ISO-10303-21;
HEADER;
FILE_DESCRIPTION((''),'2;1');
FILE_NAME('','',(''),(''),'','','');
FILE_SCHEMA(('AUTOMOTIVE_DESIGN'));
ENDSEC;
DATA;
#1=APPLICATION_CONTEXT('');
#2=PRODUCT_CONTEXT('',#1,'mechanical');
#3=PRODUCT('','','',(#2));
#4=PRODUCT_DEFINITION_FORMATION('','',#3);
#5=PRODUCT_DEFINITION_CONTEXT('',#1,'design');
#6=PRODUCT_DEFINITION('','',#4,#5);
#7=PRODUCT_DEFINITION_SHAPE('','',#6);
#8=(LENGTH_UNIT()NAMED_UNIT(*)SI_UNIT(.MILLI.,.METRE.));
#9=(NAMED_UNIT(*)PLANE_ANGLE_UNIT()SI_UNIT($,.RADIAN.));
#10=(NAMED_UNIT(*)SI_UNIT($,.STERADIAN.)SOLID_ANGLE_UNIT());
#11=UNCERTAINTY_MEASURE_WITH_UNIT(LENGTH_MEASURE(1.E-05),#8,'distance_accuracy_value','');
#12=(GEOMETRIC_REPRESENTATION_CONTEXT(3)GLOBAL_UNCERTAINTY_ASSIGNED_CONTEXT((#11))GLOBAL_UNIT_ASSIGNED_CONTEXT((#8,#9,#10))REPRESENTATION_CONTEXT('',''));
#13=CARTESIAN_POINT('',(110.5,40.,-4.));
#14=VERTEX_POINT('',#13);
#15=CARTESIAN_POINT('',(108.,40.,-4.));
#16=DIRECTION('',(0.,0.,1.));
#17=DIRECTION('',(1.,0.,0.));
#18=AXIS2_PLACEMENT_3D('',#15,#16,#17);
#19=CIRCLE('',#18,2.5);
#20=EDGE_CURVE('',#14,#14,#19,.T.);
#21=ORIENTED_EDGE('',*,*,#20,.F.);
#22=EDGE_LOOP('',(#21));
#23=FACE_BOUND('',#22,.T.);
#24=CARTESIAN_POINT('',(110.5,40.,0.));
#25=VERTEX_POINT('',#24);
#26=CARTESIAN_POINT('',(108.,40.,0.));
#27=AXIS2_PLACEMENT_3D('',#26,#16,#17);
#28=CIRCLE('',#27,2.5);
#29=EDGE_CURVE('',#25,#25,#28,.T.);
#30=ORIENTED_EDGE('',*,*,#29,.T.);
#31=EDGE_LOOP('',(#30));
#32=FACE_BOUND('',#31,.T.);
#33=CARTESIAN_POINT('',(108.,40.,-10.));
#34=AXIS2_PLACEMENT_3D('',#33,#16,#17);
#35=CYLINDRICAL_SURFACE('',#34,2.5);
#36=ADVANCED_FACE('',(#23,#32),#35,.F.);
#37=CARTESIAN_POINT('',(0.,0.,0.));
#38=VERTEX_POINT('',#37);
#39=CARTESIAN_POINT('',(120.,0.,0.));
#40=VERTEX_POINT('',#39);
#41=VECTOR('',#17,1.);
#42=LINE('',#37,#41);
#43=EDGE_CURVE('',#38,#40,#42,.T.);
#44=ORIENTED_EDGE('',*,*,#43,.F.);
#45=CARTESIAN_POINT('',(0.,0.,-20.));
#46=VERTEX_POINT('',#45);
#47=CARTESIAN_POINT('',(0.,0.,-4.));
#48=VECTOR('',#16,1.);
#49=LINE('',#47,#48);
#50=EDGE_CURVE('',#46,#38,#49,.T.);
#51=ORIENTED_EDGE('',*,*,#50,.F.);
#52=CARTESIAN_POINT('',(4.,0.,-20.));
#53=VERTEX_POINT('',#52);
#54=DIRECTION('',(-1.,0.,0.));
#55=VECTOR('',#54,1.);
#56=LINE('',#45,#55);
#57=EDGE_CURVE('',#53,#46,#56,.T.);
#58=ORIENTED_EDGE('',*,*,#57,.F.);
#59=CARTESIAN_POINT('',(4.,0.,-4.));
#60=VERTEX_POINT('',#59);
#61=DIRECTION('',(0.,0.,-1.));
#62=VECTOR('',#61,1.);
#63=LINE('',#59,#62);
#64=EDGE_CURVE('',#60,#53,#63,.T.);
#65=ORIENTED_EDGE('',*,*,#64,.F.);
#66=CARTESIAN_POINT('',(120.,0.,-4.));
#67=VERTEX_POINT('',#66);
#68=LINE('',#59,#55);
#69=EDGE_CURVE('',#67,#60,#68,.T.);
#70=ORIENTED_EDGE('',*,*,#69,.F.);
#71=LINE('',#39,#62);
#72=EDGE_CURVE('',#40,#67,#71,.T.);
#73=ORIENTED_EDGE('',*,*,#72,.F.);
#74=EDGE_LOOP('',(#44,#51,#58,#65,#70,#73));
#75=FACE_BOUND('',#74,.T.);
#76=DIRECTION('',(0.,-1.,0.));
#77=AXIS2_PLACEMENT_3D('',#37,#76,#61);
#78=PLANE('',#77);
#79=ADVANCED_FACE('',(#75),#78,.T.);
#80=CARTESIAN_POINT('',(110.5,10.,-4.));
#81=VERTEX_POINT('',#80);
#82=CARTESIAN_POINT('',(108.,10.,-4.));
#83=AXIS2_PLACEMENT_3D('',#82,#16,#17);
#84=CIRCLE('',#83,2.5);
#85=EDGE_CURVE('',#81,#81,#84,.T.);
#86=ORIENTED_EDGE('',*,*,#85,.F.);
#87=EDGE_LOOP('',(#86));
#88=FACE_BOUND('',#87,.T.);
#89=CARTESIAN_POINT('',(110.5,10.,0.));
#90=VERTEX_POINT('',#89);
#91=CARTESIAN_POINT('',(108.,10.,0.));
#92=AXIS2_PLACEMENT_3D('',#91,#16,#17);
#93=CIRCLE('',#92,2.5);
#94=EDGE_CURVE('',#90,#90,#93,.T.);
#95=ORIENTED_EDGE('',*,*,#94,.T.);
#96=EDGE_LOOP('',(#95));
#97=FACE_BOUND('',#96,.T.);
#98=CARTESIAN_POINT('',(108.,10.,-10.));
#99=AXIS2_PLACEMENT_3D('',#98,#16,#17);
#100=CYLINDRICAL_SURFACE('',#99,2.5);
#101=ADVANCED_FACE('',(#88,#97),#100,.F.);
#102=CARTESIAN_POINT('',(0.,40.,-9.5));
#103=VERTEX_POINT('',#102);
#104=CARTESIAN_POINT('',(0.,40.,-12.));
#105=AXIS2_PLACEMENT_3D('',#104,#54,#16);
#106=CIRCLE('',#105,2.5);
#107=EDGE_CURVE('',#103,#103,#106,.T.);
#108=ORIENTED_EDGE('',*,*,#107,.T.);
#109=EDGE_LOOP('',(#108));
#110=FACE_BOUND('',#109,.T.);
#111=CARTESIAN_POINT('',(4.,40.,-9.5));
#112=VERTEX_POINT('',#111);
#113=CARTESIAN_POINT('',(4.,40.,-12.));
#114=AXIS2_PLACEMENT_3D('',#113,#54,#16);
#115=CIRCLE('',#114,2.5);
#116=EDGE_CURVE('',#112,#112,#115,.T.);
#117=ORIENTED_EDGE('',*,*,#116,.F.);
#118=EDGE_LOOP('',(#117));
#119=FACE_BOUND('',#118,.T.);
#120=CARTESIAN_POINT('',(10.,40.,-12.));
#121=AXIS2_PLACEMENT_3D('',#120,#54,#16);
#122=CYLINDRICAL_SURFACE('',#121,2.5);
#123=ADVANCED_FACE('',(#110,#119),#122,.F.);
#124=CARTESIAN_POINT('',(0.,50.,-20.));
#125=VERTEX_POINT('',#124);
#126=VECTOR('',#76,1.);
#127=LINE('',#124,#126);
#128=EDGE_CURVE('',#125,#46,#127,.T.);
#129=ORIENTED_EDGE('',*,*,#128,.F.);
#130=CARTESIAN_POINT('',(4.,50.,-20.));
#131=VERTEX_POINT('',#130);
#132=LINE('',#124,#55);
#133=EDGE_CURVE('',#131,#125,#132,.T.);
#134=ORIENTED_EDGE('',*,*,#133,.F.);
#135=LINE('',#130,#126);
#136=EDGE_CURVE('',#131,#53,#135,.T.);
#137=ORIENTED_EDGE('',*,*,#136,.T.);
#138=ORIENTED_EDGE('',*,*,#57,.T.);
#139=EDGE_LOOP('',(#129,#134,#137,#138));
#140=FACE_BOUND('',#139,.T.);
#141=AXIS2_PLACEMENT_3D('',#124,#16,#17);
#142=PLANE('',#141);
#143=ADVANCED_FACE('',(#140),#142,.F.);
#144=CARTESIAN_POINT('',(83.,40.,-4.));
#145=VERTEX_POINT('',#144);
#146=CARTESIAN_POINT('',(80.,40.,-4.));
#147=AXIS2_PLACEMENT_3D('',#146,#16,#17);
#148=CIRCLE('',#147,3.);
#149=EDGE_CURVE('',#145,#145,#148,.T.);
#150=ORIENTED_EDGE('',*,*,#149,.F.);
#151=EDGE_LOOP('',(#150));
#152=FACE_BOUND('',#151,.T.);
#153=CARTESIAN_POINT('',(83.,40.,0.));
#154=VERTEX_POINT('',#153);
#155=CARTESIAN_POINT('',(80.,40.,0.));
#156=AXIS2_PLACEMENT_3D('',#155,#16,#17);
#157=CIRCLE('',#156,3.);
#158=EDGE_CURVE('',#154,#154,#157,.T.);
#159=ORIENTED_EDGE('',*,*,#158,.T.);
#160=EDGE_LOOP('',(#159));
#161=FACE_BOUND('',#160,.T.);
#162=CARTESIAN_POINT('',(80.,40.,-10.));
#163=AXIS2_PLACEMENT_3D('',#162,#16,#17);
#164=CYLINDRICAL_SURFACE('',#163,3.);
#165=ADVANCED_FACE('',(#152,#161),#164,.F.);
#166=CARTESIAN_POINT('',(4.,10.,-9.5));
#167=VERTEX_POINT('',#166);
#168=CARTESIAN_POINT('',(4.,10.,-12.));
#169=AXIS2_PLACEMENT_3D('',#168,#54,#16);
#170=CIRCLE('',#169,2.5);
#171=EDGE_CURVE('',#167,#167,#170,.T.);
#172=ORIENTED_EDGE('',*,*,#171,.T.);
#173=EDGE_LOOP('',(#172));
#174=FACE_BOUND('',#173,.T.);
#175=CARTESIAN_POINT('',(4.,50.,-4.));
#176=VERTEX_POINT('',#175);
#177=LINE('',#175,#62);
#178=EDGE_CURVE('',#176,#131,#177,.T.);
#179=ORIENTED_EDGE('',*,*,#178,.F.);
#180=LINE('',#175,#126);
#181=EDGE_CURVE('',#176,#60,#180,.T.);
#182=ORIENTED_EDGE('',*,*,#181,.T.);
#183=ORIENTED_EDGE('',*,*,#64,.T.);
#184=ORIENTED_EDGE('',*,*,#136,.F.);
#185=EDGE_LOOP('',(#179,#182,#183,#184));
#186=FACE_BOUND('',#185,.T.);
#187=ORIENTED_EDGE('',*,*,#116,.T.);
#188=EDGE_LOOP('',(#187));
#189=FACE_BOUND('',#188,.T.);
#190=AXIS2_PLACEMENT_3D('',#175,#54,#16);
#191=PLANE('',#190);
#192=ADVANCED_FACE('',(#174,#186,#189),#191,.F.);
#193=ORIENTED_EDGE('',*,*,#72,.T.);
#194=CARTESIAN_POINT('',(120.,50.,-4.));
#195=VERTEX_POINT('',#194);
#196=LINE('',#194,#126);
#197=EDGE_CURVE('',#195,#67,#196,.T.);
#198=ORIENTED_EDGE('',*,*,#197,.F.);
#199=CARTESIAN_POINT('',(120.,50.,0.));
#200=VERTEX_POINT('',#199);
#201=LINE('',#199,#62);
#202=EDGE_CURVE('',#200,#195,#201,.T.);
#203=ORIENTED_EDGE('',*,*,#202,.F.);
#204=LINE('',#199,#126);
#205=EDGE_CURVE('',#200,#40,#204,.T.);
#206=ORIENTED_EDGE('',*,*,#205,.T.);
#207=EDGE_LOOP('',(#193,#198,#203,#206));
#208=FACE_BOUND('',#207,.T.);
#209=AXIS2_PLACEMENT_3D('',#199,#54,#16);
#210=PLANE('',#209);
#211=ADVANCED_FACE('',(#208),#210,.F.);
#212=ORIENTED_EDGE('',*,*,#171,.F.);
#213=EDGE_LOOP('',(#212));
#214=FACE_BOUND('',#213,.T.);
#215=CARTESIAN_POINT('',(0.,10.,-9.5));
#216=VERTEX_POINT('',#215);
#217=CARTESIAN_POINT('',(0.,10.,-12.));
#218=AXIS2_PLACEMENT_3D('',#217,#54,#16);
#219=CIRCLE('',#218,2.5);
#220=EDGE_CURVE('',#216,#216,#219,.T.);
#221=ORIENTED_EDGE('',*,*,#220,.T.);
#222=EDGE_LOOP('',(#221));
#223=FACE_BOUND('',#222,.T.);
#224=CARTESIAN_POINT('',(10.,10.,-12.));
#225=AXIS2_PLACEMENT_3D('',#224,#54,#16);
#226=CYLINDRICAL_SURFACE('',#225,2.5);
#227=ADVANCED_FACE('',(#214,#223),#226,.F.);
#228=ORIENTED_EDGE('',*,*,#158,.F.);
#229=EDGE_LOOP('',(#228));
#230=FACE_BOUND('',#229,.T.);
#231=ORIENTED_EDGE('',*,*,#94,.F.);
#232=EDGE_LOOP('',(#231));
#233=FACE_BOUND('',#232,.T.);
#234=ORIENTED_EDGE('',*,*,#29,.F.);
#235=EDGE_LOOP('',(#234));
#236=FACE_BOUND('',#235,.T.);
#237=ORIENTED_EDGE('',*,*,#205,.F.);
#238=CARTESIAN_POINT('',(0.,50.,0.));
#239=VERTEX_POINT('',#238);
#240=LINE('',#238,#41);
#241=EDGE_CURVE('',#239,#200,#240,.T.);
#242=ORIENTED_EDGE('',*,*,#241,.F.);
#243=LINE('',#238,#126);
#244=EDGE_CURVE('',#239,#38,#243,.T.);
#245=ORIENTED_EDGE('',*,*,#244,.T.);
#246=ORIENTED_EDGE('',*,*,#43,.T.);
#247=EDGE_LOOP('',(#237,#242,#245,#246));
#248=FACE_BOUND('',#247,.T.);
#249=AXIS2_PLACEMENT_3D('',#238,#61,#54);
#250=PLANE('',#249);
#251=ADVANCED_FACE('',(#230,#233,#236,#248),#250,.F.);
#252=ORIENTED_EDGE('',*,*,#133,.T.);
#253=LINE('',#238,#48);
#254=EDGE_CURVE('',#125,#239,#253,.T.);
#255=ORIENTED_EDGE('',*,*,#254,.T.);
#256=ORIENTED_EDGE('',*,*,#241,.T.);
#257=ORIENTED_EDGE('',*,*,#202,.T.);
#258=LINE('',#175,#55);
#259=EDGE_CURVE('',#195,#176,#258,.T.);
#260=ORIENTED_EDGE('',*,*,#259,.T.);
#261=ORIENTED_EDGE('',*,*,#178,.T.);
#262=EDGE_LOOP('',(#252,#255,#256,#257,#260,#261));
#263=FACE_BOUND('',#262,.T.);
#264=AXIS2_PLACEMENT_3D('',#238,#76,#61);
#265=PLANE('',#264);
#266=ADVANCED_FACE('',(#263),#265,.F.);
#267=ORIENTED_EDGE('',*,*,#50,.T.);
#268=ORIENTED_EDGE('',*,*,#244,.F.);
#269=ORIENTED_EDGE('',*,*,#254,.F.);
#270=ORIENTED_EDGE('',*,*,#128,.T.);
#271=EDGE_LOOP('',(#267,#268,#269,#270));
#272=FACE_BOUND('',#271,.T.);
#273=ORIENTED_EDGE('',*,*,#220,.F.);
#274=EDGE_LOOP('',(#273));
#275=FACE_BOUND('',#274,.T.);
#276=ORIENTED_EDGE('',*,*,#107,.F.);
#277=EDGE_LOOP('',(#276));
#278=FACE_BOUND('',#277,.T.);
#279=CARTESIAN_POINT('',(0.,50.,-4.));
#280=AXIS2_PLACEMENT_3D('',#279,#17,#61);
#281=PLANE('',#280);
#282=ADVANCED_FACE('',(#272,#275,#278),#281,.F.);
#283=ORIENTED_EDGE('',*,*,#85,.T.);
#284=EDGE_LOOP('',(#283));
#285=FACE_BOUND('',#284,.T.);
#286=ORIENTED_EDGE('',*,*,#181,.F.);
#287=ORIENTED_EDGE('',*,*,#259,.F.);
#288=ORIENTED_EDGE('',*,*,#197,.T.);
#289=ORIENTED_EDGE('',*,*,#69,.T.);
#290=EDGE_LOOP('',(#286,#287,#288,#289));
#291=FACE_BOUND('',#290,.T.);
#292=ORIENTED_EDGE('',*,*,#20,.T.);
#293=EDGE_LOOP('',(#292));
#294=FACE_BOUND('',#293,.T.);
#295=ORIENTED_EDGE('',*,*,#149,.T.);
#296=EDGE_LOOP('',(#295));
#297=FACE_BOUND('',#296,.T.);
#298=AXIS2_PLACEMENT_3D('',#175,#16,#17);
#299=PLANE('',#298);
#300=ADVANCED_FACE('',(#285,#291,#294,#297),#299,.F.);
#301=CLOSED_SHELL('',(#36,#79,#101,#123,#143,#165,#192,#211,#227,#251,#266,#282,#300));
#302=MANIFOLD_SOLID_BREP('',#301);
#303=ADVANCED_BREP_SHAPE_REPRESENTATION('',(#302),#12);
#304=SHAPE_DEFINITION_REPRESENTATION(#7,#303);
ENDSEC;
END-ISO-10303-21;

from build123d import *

# Parameters (mm, degrees)
EXTRUDE_1_DEPTH     = 50
SKETCH_2_R          = 2.5
CUT_EXTRUDE_1_DEPTH = 10
SKETCH_3_R          = 2.5
SKETCH_3_R_2        = 3
CUT_EXTRUDE_2_DEPTH = 10


with BuildPart() as part:
    # Эскиз1 → Бобышка-Вытянуть1 (new body)
    with BuildSketch(Plane(origin=(0, 0, 0), x_dir=(1, 0, 0), z_dir=(0, 1, 0))):
        Polygon((0, 0), (120, 0), (120, 4), (4, 4), (4, 20), (0, 20), (0, 4), align=None)
    extrude(amount=EXTRUDE_1_DEPTH)

    # Эскиз2 → Вырез-Вытянуть1 (cut)
    with BuildSketch(Plane.ZY):
        with Locations((-12, 40)):
            Circle(SKETCH_2_R)
        with Locations((-12, 10)):
            Circle(SKETCH_2_R)
    extrude(amount=-CUT_EXTRUDE_1_DEPTH, mode=Mode.SUBTRACT)

    # Эскиз3 → Вырез-Вытянуть2 (cut)
    with BuildSketch(Plane.XY):
        with Locations((108, 40)):
            Circle(SKETCH_3_R)
        with Locations((108, 10)):
            Circle(SKETCH_3_R)
        with Locations((80, 40)):
            Circle(SKETCH_3_R_2)
    extrude(amount=-CUT_EXTRUDE_2_DEPTH, mode=Mode.SUBTRACT)


solid = part.part
